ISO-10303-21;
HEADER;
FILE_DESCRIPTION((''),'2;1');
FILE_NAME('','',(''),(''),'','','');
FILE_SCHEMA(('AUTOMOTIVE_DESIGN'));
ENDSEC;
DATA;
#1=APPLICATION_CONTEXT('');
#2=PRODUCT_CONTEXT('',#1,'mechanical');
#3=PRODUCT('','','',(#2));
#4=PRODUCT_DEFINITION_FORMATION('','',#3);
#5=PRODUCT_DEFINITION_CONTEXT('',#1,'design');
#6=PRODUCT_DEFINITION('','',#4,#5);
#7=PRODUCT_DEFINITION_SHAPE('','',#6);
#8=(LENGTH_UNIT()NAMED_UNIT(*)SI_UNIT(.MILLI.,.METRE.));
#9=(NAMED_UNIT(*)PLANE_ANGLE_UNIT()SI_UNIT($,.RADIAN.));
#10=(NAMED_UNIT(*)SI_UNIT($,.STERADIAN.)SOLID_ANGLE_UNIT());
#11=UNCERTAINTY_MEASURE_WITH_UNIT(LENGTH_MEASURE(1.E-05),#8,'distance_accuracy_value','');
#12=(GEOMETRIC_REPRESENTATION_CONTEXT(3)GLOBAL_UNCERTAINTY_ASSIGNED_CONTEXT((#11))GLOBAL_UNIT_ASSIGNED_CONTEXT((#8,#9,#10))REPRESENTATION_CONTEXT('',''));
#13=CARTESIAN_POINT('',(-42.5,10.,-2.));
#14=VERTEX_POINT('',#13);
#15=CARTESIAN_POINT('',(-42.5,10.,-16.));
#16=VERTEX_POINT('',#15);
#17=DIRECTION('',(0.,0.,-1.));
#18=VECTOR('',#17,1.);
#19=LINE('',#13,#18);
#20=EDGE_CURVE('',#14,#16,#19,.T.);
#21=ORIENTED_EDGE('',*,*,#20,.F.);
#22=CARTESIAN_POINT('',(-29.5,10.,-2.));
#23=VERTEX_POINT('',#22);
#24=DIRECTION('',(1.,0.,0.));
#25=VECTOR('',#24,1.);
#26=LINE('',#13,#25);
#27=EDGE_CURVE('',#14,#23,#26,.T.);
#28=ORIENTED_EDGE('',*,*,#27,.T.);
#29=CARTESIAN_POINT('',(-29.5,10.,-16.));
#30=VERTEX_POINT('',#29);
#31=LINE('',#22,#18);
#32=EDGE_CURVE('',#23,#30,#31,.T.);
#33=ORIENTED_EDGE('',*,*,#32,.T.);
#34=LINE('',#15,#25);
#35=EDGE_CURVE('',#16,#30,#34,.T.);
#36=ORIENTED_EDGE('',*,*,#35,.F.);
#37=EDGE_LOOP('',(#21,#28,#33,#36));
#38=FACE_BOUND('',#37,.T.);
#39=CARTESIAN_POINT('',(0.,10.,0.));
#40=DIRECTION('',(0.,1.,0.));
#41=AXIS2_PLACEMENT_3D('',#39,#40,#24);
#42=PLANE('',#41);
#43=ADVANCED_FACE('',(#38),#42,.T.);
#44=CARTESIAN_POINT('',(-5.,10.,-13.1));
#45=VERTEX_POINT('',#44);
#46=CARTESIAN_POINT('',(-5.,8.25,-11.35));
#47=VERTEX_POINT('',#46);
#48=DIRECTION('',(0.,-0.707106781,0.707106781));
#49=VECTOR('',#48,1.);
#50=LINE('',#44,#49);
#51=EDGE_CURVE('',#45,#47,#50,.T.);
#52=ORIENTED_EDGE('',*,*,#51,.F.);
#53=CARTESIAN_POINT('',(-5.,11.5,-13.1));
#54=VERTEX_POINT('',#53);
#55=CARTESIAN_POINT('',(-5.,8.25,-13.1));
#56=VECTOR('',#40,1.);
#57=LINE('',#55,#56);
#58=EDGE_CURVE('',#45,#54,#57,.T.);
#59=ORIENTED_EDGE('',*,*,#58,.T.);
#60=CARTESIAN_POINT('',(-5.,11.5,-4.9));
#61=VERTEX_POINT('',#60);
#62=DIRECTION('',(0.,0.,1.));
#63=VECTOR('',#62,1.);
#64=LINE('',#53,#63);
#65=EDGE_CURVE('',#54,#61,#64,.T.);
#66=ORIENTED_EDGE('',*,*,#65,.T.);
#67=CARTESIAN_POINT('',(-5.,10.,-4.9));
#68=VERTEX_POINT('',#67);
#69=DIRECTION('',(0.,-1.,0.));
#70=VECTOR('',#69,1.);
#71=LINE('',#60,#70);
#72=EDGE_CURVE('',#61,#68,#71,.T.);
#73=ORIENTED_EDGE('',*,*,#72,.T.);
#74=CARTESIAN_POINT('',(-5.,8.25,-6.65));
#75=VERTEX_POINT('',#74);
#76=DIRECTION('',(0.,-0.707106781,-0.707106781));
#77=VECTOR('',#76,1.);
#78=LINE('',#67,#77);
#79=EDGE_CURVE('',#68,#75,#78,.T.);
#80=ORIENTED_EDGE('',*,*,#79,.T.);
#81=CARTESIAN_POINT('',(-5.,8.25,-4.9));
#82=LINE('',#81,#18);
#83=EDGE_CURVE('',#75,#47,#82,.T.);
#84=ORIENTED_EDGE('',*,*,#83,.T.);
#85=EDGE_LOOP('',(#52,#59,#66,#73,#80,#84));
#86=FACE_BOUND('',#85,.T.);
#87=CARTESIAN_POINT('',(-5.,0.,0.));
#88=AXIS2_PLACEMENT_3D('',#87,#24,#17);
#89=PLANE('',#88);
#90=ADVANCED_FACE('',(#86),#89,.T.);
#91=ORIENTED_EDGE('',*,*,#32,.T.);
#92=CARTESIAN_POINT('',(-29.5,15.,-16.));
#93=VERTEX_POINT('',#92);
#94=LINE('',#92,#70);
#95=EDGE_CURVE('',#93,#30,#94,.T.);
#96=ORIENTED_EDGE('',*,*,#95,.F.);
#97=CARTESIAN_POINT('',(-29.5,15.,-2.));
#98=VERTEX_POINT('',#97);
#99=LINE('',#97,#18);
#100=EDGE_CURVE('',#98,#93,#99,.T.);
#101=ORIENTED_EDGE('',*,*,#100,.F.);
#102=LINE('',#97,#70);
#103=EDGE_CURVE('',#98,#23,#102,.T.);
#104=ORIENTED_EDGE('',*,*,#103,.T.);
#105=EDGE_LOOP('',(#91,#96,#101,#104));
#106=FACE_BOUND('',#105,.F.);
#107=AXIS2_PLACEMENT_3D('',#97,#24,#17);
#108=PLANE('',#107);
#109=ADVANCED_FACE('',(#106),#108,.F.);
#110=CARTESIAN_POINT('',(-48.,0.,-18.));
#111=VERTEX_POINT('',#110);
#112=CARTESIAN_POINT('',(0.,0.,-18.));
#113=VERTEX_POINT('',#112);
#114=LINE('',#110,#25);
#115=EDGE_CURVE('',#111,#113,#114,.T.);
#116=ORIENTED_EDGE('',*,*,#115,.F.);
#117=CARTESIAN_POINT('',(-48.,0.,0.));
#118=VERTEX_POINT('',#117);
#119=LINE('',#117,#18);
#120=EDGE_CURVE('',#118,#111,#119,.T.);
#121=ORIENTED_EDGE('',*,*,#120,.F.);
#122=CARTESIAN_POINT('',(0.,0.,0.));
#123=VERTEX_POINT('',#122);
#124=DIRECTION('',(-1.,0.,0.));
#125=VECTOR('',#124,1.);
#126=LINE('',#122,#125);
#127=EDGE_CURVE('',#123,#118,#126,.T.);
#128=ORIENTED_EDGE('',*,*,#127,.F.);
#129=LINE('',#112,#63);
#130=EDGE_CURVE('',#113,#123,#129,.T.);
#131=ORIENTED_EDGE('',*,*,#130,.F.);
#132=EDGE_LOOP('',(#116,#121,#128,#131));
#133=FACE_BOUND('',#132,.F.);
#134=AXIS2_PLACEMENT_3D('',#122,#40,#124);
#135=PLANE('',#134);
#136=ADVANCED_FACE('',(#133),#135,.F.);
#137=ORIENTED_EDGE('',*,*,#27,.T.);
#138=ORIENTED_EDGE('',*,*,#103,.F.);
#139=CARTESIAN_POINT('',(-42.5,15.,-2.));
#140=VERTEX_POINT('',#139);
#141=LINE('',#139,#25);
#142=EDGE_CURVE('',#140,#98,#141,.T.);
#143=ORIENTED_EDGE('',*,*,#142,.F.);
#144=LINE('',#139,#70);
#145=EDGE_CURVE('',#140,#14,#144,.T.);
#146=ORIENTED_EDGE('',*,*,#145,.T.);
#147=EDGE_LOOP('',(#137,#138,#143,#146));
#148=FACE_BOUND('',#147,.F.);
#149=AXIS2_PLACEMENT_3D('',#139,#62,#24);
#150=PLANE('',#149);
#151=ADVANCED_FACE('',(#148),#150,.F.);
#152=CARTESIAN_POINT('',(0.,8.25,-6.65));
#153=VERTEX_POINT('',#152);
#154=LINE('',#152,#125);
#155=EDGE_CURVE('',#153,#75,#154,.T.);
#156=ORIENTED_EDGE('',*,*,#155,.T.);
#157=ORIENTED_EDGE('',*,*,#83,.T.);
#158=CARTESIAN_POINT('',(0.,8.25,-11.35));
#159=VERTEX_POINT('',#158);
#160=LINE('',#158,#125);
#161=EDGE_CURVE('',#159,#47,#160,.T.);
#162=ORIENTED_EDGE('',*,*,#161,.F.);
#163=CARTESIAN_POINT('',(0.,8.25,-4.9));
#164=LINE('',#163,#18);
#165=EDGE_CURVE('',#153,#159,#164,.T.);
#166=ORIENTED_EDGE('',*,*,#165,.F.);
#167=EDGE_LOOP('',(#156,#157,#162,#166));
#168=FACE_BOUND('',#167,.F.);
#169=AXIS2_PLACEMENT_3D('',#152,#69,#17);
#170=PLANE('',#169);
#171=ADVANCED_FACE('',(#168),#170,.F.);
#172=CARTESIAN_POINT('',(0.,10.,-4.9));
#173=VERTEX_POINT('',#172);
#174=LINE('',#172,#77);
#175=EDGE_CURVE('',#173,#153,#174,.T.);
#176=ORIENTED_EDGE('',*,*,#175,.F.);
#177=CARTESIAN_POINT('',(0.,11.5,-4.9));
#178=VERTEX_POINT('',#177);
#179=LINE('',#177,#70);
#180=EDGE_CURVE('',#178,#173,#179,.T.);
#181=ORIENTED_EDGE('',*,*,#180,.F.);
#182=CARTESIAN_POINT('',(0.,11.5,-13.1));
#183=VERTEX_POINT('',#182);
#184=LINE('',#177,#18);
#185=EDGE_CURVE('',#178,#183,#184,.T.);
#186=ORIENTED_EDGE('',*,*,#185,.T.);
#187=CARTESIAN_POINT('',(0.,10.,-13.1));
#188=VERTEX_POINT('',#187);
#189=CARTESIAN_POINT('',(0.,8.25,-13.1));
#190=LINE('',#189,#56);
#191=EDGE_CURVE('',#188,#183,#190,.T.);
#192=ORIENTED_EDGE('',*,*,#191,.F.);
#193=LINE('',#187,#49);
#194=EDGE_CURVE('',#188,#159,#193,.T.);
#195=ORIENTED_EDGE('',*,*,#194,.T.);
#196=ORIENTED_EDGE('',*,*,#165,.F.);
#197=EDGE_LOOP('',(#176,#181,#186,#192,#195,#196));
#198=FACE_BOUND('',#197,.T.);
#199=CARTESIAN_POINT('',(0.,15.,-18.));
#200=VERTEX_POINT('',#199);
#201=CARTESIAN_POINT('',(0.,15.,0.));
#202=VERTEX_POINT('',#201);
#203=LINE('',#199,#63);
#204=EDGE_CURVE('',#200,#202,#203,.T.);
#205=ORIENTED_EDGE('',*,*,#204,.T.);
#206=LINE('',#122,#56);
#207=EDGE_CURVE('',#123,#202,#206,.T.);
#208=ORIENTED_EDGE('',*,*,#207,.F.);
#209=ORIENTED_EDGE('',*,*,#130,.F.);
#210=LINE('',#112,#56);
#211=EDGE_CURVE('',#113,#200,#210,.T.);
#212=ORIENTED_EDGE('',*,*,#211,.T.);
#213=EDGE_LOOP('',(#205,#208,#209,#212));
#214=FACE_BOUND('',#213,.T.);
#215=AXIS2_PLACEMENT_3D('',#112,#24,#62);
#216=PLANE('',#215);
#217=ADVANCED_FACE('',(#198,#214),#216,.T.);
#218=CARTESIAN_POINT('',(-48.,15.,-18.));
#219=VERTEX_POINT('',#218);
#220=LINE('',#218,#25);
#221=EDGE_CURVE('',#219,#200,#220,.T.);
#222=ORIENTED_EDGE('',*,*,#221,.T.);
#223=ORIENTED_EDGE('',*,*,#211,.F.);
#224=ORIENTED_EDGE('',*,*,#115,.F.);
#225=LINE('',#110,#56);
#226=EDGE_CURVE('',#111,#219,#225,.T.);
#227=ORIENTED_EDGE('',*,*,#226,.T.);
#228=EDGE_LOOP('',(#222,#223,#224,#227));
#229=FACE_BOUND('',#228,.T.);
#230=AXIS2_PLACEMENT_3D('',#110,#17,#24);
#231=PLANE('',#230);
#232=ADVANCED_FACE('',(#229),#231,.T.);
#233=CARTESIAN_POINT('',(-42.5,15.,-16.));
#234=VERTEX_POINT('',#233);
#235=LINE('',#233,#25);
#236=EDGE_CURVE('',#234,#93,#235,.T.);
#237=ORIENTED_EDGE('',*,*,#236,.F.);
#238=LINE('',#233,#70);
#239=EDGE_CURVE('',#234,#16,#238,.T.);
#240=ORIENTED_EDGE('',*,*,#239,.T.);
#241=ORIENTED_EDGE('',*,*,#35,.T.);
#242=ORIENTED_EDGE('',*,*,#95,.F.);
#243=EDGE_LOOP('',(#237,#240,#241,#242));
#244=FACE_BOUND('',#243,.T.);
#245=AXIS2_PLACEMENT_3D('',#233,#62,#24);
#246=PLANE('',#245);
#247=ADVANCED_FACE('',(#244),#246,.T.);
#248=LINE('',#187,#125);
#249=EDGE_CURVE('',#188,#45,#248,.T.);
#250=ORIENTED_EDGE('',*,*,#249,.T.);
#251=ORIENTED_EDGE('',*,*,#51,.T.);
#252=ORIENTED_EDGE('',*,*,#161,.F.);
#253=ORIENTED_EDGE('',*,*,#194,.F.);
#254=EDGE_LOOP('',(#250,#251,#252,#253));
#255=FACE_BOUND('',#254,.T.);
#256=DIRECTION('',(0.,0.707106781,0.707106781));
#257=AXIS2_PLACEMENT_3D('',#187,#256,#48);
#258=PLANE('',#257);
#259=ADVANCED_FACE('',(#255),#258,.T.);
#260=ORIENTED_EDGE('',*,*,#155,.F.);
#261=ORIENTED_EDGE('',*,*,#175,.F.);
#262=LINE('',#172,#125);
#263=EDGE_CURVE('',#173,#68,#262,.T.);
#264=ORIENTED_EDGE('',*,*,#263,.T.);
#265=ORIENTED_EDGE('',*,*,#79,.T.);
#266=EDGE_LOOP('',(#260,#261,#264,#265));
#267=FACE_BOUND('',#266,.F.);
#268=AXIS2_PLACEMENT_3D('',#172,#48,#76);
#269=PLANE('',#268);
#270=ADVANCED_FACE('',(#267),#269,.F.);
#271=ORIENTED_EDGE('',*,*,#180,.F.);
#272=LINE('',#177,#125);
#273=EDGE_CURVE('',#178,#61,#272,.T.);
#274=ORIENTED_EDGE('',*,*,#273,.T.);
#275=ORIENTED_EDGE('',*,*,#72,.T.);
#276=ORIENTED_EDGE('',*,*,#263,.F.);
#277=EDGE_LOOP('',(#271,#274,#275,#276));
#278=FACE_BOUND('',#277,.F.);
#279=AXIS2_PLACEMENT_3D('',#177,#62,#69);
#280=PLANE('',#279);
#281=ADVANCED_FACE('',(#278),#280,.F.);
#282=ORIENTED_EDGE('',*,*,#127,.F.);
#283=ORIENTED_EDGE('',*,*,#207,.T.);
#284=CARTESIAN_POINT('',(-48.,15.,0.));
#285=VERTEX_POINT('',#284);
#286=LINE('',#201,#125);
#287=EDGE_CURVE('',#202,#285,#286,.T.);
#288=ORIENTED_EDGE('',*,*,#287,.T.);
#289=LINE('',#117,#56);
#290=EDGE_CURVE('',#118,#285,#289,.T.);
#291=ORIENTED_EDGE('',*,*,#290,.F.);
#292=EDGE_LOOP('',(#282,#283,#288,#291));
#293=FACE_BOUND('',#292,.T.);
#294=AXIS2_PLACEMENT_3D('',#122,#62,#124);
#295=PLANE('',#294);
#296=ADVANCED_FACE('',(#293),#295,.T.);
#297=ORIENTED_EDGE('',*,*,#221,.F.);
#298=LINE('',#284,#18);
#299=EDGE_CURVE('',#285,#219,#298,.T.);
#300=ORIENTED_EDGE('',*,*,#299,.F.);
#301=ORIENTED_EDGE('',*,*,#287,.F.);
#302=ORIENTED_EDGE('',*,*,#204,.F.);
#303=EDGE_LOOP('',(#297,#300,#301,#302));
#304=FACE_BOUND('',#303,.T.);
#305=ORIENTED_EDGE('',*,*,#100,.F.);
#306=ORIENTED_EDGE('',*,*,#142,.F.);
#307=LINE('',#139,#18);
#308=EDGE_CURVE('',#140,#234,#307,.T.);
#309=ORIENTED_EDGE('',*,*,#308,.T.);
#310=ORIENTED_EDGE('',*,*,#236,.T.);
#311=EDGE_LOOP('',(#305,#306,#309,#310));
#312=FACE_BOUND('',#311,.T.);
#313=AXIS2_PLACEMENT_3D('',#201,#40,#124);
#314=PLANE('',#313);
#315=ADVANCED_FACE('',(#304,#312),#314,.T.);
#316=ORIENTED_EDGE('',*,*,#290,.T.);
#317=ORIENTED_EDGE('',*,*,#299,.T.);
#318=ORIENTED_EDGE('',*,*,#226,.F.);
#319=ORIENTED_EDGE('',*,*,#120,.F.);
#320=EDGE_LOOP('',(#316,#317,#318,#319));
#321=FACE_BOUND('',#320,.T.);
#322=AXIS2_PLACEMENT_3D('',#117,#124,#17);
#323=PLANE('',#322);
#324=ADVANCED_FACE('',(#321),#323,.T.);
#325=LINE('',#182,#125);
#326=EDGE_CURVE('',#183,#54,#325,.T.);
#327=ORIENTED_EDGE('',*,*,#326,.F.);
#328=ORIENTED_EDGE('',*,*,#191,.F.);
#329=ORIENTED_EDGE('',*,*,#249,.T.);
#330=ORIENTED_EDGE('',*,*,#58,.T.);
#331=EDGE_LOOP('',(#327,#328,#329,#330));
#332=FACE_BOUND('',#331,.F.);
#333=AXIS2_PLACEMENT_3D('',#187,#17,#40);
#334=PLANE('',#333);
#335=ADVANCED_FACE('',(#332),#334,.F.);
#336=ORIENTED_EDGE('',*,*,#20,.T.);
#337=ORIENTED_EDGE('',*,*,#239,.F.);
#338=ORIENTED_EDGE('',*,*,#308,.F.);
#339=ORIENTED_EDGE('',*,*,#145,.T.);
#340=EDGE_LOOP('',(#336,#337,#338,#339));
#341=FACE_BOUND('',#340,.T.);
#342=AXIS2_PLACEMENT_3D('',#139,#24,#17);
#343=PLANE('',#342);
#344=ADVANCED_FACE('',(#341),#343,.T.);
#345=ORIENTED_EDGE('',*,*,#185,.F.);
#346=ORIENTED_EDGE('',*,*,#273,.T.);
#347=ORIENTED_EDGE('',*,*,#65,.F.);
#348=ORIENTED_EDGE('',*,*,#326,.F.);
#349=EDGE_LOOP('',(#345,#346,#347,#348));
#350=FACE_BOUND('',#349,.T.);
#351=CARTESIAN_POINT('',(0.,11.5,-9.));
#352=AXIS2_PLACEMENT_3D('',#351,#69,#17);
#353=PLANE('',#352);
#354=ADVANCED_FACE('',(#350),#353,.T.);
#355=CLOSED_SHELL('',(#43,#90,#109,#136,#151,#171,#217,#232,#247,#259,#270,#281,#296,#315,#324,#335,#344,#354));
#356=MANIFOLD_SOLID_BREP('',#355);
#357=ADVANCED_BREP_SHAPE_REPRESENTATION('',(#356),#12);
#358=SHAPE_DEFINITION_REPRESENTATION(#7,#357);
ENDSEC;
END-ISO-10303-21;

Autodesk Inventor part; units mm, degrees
ref_plane "YZ Plane" through (0, 0, 0) normal (1, 0, 0) x (0, 1, 0)
ref_plane "XZ Plane" through (0, 0, 0) normal (0, 1, 0) x (-1, 0, 0)
ref_plane "XY Plane" through (0, 0, 0) normal (0, 0, 1) x (1, 0, 0)
sketch "Sketch1" plane through (0, 0, 0) normal (0, 1, 0) x (-1, 0, 0)
  line L0 (0, 0) -> (48, 0)
  line L1 (48, 0) -> (48, -18)
  line L2 (48, -18) -> (0, -18)
  line L3 (0, -18) -> (0, 0)
  dimension "d0" = 48
  dimension "d1" = 18
extrude "Extrusion1" add sketch "Sketch1" along normal blind 15
sketch "Sketch2" plane through (0, 15, 0) normal (0, 1, 0) x (1, 0, 0)
  line L0 (-48, 18) -> (-48, 0) projected
  line L1 (-48, 0) -> (-42.5, 0)
  line L2 (-48, 0) -> (0, 0) projected
  line L3 (-42.5, 0) -> (-42.5, 2)
  line L4 (-42.5, 2) -> (-29.5, 2)
  line L5 (-29.5, 2) -> (-29.5, 16)
  line L6 (-42.5, 2) -> (-42.5, 16)
  line L7 (-42.5, 16) -> (-29.5, 16)
  dimension "d4" = 5.5
  dimension "d5" = 2
  dimension "d6" = 13
  dimension "d7" = 14
extrude "Extrusion2" cut sketch "Sketch2" against normal blind 5
sketch "Sketch3" plane through (0, 0, 0) normal (1, 0, 0) x (0, 0, -1)
  line L0 (0, 0) -> (0, 15)
  line L1 (0, 15) -> (18, 15)
  line L2 (16, 15) -> (2, 15) projected
  line L3 (9, 15) -> (9, 11.5)
  line L4 (9, 11.5) -> (13.1, 11.5)
  line L5 (13.1, 11.5) -> (4.9, 11.5)
  line L6 (4.9, 11.5) -> (4.9, 8.25)
  line L7 (4.9, 8.25) -> (13.1, 8.25)
  line L8 (13.1, 8.25) -> (13.1, 11.5)
  line L9 (16, 10) -> (2, 10) projected
  line L10 (4.9, 10) -> (7.1782, 7.7218)
  line L11 (4.9, 10) -> (8.1218, 10) construction
  line L12 (13.1, 10) -> (10.403, 7.303)
  line L13 (13.1, 10) -> (16.9142, 10) construction
  point P0 (11.35, 8.25)
  point P1 (6.65, 8.25)
  dimension "d10" = 18
  dimension "d11" = 3.5
  dimension "d12" = 4.1
  dimension "d13" = 8.2
  dimension "d14" = 3.25
  dimension "d15" = 45
  dimension "d16" = 135
extrude "Extrusion3" cut sketch "Sketch3" against normal blind 5 contours L4 L8 L9 L6 L5 | L12 L7 L10 L9
properties part number "U2D2"
